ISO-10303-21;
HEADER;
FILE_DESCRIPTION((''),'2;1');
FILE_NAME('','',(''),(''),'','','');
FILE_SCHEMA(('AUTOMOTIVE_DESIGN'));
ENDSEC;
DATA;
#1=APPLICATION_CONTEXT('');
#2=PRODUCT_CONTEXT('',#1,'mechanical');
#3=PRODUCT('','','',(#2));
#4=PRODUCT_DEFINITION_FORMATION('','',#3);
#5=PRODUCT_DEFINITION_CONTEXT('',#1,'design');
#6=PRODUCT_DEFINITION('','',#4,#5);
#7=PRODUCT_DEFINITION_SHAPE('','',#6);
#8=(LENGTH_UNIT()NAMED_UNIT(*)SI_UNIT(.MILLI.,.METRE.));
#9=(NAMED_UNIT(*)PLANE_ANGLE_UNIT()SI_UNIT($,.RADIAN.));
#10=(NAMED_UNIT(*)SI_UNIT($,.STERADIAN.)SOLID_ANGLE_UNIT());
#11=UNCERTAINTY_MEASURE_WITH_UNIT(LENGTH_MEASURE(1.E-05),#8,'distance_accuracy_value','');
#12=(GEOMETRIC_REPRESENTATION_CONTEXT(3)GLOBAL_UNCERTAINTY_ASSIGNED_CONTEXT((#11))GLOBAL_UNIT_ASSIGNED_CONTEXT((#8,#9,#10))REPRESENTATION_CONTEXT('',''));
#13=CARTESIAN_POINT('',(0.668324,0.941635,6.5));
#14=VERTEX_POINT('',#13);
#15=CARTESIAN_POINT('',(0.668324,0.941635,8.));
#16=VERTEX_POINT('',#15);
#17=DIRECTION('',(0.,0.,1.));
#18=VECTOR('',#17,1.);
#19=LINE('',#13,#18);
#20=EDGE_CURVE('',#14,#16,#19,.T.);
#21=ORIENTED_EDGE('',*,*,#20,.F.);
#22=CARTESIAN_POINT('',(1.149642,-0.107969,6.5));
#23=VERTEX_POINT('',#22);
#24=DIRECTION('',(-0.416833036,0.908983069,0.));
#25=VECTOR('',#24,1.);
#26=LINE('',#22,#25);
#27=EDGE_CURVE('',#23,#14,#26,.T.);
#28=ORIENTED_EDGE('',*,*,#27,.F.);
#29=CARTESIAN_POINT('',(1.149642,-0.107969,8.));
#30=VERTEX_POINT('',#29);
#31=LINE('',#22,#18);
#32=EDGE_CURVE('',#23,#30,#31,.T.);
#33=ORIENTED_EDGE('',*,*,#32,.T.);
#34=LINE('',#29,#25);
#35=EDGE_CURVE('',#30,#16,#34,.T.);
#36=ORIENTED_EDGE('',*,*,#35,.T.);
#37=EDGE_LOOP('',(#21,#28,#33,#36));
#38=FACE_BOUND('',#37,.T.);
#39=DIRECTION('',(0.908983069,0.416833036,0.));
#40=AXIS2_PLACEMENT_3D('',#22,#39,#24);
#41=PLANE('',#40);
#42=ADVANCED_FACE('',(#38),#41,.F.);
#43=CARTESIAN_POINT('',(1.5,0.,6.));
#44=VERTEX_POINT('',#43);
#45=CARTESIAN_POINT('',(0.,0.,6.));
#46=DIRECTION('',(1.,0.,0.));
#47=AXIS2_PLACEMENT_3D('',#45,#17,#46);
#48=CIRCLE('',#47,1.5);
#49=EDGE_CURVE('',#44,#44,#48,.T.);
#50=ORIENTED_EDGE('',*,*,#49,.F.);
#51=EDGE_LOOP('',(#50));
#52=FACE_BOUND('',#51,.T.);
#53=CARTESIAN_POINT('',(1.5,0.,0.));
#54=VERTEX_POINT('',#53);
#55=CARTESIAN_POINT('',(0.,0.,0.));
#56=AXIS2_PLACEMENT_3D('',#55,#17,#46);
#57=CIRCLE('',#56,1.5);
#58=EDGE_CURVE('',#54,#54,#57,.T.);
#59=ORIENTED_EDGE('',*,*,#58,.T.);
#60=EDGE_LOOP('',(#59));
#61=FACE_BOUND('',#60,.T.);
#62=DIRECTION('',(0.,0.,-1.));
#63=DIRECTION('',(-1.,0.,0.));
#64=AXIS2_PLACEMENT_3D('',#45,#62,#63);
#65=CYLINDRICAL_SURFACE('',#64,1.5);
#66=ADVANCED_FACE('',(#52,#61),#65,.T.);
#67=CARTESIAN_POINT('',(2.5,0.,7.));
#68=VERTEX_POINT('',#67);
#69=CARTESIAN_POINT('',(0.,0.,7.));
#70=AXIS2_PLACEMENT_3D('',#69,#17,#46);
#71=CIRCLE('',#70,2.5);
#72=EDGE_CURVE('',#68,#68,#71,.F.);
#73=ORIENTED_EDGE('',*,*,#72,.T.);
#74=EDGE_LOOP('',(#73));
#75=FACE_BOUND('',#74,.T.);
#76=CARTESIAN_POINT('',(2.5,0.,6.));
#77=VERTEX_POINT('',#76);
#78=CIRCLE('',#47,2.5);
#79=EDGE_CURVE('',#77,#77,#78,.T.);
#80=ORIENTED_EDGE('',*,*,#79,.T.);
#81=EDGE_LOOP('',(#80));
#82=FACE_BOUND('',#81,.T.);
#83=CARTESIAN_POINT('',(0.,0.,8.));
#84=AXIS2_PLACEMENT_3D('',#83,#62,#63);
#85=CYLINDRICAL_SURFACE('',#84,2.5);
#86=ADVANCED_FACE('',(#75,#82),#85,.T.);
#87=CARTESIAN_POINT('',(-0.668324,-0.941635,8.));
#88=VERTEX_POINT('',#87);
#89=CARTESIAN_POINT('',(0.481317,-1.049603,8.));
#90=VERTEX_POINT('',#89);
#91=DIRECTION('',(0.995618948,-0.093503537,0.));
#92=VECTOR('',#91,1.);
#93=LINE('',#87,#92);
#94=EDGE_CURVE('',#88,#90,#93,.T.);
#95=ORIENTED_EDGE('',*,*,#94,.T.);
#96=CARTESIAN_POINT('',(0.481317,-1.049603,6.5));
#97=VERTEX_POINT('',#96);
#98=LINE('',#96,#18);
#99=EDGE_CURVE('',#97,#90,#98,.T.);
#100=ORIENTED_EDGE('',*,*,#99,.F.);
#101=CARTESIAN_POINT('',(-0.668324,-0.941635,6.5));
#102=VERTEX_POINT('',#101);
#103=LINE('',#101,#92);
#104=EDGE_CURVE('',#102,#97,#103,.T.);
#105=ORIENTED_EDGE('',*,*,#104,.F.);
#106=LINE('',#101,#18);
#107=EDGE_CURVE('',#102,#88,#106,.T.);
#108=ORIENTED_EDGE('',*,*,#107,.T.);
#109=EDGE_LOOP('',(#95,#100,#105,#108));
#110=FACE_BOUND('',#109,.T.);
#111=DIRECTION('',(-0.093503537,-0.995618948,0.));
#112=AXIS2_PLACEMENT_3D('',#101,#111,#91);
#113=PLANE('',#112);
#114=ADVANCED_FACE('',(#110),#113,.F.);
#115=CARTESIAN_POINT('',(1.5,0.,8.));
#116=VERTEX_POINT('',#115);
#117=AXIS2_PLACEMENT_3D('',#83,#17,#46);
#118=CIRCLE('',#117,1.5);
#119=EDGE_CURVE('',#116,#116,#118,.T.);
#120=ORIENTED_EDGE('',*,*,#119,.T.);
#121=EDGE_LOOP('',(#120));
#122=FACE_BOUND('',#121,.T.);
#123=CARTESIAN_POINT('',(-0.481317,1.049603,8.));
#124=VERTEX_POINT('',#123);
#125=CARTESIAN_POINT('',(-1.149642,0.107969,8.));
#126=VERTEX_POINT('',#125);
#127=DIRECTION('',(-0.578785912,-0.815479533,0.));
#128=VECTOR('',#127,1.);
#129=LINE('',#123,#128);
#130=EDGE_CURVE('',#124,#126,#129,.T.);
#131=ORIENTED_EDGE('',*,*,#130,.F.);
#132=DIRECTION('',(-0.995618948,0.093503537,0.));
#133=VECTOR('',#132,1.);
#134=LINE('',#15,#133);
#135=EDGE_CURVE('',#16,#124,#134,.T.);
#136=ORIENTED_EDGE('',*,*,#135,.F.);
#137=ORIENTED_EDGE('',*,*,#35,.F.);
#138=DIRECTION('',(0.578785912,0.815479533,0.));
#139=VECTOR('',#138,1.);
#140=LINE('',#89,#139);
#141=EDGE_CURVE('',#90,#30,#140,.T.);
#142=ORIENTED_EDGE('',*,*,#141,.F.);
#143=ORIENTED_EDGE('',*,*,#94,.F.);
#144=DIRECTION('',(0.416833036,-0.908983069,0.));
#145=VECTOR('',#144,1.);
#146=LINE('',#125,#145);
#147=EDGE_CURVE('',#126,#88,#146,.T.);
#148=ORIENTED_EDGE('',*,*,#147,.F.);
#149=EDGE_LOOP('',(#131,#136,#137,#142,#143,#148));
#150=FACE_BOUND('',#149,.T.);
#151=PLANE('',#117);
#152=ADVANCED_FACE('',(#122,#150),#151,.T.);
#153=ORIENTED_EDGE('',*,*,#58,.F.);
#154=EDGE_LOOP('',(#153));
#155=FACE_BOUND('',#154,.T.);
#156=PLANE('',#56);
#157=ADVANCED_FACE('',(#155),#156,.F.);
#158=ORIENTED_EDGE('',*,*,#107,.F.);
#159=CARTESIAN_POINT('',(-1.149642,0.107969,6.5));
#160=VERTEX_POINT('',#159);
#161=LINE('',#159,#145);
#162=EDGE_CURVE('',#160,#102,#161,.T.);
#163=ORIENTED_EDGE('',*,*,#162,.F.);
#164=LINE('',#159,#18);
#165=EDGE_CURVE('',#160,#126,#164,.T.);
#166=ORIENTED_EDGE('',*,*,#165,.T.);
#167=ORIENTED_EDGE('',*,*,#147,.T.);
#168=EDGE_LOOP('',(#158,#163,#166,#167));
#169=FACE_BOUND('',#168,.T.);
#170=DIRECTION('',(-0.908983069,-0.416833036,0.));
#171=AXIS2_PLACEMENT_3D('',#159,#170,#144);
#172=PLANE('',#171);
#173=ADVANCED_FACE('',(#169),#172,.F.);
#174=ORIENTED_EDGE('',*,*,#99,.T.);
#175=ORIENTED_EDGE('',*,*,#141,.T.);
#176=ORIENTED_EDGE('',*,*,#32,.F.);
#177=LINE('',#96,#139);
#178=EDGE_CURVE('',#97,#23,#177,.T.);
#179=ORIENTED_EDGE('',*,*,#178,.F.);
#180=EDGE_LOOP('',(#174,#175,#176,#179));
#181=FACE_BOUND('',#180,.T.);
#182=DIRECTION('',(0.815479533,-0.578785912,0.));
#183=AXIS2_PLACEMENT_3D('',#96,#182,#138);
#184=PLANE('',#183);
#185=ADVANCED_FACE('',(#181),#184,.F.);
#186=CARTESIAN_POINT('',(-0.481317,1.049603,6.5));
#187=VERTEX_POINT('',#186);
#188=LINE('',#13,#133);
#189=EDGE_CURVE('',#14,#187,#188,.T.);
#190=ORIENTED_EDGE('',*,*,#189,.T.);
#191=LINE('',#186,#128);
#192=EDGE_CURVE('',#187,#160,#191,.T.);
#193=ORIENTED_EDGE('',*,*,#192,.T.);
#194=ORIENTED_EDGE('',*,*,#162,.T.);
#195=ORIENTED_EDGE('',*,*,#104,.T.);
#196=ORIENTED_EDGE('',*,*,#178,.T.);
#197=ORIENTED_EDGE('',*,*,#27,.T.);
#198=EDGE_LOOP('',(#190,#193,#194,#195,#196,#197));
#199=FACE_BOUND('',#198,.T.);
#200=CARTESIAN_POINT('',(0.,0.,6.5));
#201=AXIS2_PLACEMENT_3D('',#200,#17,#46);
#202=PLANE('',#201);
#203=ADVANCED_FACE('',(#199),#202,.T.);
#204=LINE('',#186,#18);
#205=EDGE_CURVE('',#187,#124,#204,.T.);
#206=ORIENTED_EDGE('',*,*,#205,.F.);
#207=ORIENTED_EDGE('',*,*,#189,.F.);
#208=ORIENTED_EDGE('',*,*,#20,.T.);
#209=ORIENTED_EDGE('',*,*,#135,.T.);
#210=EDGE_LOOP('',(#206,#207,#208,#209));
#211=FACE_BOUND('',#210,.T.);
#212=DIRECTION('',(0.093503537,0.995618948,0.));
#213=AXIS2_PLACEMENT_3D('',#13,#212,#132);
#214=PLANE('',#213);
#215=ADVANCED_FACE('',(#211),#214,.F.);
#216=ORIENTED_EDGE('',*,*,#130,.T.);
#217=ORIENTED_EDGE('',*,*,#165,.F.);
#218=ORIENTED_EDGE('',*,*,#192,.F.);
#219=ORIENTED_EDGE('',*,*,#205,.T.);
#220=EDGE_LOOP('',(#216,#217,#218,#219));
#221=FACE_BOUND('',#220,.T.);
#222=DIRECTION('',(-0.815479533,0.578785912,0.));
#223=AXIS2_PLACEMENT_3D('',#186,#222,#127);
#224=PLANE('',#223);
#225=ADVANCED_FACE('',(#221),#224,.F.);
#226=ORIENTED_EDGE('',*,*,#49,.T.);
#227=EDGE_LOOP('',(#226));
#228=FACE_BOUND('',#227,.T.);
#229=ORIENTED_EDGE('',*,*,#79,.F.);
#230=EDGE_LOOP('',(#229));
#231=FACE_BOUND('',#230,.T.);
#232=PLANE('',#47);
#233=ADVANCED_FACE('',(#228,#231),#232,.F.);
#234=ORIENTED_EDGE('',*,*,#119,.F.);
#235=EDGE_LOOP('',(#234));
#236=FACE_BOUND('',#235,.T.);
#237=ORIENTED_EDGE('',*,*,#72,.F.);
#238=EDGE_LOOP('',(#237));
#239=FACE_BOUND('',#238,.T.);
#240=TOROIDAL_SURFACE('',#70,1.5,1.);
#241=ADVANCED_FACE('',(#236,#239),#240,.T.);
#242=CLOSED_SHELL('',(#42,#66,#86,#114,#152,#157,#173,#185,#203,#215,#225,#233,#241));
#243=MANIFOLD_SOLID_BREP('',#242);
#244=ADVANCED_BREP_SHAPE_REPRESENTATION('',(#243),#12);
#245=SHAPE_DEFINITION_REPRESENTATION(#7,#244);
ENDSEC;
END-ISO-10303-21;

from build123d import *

# Parameters (mm, degrees)
SKETCH_1_R          = 1.5
EXTRUDE_1_DEPTH     = 6
SKETCH_2_R          = 2.5
EXTRUDE_2_DEPTH     = 2
CUT_EXTRUDE_1_DEPTH = 1.5
FILLET_2_R          = 1


with BuildPart() as part:
    # 草图1 → 凸台-拉伸1 (new body)
    with BuildSketch(Plane.XY):
        Circle(SKETCH_1_R)
    extrude(amount=EXTRUDE_1_DEPTH)

    # 草图2 → 凸台-拉伸2 (add)
    with BuildSketch(Plane.XY.offset(6)):
        Circle(SKETCH_2_R)
    extrude(amount=EXTRUDE_2_DEPTH)

    # 草图3 → 切除-拉伸1 (cut)
    with BuildSketch(Plane.XY.offset(8)):
        Polygon((1.149641735, -0.107968584), (0.668324404, 0.941634655), (-0.481317331, 1.04960324), (-1.149641735, 0.107968584), (-0.668324404, -0.941634655), (0.481317331, -1.04960324), align=None)
    extrude(amount=-CUT_EXTRUDE_1_DEPTH, mode=Mode.SUBTRACT)

    # 圆角2
    fillet_2_edges = [part.edges().sort_by_distance(p)[0] for p in [
        (-2.5, 0, 8),
    ]]
    fillet(fillet_2_edges, radius=FILLET_2_R)


solid = part.part
